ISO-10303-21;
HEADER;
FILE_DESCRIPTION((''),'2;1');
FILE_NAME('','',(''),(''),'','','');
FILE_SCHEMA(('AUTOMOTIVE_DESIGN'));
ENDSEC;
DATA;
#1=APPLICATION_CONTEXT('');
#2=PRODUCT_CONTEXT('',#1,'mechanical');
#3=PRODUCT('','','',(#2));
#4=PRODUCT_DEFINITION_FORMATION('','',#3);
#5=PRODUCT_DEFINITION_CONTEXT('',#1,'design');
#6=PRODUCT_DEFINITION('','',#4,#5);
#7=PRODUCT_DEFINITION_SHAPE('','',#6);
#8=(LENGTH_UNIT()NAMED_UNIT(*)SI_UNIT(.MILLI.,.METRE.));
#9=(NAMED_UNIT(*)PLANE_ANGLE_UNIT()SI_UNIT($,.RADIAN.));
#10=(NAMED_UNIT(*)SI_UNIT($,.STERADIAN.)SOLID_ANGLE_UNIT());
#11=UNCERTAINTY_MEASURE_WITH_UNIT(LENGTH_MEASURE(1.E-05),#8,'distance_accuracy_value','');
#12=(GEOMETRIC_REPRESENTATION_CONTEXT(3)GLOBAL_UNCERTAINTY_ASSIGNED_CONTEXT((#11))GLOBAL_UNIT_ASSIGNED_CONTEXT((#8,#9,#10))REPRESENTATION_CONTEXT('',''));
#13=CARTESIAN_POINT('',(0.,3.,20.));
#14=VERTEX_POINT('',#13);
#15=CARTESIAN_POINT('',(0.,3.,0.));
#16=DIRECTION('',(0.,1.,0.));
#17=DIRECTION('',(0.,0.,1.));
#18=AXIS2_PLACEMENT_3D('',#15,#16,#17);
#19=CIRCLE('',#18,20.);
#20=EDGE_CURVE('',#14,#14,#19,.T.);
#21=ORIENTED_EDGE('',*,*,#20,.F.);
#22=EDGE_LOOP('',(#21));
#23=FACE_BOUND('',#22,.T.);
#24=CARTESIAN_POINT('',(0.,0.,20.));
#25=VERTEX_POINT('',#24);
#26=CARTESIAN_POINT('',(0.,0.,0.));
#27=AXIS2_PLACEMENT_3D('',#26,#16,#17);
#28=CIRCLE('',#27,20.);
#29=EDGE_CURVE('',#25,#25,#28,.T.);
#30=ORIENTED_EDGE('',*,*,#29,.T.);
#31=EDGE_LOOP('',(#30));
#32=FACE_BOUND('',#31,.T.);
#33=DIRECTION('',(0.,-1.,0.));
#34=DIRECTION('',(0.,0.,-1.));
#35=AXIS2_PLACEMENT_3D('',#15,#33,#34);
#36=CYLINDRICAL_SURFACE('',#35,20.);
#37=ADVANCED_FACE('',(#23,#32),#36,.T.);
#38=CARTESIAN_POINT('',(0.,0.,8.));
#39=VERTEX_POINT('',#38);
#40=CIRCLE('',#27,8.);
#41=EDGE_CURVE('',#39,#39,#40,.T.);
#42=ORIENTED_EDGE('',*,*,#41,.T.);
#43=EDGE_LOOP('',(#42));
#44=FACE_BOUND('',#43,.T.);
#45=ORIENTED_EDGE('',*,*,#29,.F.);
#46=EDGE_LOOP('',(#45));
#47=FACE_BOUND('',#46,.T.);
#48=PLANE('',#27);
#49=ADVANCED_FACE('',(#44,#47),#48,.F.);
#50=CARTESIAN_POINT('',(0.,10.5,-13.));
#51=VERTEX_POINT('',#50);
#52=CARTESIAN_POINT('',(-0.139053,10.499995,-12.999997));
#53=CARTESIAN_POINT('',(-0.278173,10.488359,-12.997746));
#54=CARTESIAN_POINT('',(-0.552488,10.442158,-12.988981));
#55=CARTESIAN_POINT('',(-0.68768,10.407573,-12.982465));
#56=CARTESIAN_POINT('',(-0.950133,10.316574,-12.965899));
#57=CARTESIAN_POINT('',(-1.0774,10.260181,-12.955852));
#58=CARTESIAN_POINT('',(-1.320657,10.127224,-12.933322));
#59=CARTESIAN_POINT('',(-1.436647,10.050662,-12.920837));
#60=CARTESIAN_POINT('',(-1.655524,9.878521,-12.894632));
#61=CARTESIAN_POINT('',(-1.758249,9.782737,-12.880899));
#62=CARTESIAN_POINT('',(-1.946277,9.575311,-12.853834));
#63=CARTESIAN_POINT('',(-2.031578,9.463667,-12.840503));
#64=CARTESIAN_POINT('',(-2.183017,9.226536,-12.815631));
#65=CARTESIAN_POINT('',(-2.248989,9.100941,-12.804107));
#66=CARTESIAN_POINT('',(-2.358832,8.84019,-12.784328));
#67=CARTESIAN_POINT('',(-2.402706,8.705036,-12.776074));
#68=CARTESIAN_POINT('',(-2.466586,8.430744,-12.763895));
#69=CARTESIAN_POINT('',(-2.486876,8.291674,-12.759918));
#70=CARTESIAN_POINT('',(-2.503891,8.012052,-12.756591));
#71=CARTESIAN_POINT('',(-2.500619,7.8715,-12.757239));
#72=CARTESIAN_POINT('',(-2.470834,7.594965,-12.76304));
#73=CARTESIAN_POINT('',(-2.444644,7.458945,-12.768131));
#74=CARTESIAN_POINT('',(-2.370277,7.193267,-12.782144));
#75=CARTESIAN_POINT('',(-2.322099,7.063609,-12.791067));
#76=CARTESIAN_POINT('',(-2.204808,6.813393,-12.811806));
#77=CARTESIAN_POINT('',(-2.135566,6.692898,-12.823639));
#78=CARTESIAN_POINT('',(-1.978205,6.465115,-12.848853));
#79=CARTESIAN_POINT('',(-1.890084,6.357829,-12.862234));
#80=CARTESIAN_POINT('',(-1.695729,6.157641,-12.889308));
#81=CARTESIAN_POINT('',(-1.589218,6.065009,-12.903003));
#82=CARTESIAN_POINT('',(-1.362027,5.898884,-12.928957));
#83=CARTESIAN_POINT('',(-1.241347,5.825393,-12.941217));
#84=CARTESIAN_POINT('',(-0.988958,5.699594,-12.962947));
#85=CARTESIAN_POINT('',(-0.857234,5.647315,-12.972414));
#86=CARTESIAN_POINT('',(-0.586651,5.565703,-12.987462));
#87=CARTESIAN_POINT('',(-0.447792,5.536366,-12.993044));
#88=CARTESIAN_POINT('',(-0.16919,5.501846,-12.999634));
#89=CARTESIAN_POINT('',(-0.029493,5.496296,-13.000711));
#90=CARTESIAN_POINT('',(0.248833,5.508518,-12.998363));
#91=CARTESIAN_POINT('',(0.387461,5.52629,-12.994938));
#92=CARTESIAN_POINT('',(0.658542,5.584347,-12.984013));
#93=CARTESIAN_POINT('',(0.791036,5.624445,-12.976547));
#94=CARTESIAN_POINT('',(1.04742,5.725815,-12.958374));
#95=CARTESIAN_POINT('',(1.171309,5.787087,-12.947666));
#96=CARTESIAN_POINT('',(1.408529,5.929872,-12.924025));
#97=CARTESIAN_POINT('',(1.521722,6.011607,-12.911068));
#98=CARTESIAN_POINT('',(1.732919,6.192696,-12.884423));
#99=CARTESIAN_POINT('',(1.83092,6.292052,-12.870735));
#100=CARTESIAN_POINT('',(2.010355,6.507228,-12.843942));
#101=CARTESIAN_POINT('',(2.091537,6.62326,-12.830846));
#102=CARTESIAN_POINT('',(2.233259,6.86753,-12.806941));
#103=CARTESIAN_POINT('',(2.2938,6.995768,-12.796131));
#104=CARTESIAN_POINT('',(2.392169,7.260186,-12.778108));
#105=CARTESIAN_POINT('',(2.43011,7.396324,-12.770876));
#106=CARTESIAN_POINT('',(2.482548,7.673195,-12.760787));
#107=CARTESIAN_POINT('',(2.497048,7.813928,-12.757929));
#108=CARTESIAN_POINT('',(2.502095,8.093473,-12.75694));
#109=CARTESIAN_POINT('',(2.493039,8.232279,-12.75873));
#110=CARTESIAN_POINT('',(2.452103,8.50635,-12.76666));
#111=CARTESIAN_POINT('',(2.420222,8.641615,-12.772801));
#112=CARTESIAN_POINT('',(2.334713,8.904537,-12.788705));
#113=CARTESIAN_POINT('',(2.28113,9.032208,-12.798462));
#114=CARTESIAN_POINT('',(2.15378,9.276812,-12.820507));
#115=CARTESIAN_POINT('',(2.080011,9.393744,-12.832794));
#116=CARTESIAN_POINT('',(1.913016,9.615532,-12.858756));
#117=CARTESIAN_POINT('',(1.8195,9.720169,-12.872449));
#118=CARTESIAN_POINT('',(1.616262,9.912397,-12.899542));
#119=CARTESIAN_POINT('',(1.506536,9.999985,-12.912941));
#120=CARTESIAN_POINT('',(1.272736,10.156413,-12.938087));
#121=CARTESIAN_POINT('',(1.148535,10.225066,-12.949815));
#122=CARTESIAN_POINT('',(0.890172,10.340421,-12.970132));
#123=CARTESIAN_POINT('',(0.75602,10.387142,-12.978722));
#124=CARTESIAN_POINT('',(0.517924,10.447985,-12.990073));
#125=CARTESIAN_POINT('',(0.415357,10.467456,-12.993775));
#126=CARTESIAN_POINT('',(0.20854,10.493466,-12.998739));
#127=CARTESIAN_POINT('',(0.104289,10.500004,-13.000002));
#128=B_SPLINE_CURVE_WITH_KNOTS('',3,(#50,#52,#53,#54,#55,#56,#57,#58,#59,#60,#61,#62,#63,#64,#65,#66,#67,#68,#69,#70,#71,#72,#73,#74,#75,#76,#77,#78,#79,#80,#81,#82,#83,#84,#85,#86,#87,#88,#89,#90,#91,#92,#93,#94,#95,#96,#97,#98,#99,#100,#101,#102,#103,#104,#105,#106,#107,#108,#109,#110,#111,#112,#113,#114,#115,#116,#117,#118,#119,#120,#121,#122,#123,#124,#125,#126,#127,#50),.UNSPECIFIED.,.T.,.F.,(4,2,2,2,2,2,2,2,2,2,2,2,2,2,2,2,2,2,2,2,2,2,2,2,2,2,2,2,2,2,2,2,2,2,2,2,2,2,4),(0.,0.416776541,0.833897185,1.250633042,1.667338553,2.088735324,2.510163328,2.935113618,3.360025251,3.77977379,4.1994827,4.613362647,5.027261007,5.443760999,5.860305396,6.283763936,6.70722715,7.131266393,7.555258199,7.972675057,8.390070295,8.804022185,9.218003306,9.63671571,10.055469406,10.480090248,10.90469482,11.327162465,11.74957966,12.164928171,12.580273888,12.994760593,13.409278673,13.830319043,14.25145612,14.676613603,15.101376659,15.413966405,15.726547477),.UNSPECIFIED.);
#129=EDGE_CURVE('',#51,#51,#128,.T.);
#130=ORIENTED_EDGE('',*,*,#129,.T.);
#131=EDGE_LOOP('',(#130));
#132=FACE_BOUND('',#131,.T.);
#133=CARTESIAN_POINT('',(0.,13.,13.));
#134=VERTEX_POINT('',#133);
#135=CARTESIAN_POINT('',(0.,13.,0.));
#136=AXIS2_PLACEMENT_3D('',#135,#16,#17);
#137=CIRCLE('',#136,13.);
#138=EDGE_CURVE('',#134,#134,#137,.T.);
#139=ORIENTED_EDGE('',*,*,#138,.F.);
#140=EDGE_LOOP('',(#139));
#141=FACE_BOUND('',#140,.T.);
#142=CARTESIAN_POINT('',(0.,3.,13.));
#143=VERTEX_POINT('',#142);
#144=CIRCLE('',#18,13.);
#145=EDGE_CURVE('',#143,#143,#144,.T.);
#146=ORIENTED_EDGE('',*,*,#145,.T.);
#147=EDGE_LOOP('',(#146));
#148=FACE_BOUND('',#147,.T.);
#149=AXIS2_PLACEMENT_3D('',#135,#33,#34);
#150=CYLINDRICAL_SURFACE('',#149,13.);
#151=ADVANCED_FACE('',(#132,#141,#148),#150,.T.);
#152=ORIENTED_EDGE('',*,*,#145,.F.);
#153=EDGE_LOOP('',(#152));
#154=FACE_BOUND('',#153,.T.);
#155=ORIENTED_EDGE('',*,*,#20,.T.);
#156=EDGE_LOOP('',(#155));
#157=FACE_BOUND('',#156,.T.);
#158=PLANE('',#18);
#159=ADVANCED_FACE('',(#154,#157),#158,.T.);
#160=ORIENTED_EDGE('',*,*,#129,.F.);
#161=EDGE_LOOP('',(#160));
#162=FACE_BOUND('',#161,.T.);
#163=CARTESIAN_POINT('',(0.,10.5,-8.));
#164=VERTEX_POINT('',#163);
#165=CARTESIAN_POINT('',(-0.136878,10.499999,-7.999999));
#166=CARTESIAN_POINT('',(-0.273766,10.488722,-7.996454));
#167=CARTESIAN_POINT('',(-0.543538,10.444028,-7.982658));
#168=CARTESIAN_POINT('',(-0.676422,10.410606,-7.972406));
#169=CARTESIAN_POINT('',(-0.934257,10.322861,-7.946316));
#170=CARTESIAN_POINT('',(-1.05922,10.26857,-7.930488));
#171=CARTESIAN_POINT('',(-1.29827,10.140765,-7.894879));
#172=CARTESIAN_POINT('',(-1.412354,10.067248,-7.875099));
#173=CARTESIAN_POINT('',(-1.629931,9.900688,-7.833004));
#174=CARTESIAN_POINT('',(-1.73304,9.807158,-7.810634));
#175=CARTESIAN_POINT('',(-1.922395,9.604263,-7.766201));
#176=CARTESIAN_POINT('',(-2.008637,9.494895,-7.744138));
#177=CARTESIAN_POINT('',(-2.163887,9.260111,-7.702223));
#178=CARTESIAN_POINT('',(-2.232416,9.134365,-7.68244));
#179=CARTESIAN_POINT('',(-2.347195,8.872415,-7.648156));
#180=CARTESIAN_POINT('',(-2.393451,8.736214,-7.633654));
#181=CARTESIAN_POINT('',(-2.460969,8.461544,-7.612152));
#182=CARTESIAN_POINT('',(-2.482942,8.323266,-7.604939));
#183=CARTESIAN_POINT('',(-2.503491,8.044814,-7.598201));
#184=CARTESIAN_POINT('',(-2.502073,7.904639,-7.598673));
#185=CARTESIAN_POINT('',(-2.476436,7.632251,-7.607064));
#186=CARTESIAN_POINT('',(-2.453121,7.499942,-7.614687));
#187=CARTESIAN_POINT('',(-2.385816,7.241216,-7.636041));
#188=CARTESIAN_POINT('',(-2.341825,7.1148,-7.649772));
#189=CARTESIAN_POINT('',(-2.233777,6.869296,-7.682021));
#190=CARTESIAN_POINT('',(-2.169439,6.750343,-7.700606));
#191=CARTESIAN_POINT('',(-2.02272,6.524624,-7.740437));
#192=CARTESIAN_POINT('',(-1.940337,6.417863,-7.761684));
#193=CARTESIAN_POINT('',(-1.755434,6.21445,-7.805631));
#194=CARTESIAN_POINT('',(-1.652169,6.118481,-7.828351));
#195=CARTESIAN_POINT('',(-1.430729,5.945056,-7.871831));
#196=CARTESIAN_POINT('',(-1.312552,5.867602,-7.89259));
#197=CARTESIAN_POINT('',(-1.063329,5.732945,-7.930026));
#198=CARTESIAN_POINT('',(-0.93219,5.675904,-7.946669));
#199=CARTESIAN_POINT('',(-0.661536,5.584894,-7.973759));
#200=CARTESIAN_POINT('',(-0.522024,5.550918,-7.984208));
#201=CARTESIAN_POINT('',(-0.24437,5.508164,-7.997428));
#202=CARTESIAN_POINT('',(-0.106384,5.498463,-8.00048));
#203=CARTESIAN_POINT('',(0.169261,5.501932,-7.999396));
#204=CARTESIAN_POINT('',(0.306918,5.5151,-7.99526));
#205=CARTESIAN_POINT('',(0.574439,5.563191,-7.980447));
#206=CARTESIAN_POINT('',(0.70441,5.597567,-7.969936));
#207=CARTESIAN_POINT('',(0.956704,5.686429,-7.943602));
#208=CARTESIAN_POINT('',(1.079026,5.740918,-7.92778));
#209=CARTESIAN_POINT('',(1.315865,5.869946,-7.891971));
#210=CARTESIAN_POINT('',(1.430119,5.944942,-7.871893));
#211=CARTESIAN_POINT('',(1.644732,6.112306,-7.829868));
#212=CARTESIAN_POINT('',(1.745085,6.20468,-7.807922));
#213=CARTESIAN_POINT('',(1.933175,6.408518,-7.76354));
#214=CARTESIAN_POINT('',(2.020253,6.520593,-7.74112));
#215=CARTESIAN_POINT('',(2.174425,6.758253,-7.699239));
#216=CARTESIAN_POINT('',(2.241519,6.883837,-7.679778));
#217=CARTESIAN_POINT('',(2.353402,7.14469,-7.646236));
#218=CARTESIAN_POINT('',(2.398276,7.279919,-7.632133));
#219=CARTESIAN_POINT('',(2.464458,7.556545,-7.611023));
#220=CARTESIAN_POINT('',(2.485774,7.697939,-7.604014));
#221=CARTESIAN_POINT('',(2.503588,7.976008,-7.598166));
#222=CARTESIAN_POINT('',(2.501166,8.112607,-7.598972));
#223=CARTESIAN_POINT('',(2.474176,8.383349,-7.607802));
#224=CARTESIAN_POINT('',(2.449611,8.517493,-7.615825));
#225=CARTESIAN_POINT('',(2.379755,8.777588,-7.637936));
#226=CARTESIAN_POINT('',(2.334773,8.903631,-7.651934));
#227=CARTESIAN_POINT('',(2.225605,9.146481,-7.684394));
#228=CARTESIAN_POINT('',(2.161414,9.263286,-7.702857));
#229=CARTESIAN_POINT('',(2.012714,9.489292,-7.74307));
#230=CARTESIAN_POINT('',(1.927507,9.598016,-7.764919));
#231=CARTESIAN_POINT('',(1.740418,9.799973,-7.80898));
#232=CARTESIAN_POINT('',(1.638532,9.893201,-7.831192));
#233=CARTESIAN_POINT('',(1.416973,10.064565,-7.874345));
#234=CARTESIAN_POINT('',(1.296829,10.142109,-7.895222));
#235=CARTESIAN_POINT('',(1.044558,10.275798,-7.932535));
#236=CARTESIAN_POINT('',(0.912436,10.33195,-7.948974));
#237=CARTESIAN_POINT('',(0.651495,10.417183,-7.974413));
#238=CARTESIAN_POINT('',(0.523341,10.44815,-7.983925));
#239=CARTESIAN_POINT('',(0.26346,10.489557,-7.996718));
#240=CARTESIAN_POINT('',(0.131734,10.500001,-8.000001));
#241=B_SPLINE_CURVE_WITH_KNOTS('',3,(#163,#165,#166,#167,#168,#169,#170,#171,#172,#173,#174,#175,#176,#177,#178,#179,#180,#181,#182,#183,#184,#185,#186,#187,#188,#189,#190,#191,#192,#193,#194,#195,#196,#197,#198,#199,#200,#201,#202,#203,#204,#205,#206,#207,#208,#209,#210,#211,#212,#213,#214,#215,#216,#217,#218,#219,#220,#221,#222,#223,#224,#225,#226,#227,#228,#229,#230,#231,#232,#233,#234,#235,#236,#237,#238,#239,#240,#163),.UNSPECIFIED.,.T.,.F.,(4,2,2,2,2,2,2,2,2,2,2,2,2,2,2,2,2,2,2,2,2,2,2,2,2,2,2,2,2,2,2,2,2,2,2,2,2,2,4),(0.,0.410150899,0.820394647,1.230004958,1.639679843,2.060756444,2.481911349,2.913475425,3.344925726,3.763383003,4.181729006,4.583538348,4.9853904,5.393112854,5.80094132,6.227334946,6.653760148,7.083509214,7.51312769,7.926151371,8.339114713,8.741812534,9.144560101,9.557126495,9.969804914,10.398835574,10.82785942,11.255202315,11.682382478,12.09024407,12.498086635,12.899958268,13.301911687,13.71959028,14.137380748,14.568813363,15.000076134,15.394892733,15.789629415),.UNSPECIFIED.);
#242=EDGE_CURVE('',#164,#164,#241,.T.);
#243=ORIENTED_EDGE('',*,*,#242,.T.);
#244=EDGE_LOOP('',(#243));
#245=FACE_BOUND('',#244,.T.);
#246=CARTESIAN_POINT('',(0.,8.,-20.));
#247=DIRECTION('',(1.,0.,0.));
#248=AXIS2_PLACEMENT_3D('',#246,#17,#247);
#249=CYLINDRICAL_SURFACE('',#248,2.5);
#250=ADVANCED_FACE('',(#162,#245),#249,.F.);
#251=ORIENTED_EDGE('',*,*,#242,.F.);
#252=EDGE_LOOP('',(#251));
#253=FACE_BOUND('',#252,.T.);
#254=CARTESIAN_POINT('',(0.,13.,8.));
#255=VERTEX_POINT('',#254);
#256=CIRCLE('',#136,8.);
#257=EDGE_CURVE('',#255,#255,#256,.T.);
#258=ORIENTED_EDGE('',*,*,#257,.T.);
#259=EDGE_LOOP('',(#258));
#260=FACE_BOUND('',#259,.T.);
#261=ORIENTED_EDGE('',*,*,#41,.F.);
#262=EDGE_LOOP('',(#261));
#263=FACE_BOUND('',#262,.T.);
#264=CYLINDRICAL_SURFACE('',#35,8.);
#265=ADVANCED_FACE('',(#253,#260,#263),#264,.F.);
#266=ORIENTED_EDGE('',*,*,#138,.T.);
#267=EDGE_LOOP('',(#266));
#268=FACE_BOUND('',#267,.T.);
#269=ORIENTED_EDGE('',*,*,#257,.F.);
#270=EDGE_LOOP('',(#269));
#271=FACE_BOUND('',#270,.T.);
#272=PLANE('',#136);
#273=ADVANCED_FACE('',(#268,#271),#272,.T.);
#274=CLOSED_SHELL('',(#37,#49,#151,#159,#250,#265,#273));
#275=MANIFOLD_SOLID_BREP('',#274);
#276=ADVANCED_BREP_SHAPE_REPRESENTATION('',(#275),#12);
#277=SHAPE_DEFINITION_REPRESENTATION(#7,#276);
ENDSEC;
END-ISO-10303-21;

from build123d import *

# Parameters (mm, degrees)
SKETCH1_R           = 20
SKETCH1_R_2         = 8
BOSS_EXTRUDE1_DEPTH = 3
SKETCH2_R           = 13
SKETCH2_R_2         = 8
BOSS_EXTRUDE2_DEPTH = 10
SKETCH3_R           = 2.5
CUT_EXTRUDE1_DEPTH  = 32.128764833


with BuildPart() as part:
    # Sketch1 → Boss-Extrude1 (new body)
    with BuildSketch(Plane(origin=(0, 0, 0), x_dir=(1, 0, 0), z_dir=(0, 1, 0))):
        with Locations(Location((0, 0, 0), (0, 0, 270))):
            Circle(SKETCH1_R)
        with Locations(Location((0, 0, 0), (0, 0, 270))):
            Circle(SKETCH1_R_2, mode=Mode.SUBTRACT)
    extrude(amount=BOSS_EXTRUDE1_DEPTH)

    # Sketch2 → Boss-Extrude2 (add)
    with BuildSketch(Plane(origin=(0, 3, 0), x_dir=(1, 0, 0), z_dir=(0, 1, 0))):
        with Locations(Location((0, 0, 0), (0, 0, 270))):
            Circle(SKETCH2_R)
        with Locations(Location((0, 0, 0), (0, 0, 270))):
            Circle(SKETCH2_R_2, mode=Mode.SUBTRACT)
    extrude(amount=BOSS_EXTRUDE2_DEPTH)

    # Sketch3 → Cut-Extrude1 (cut, through all)
    with BuildSketch(Plane.XY):
        with Locations(Location((0, 8, 0), (0, 0, 90))):
            Circle(SKETCH3_R)
    extrude(amount=-CUT_EXTRUDE1_DEPTH, mode=Mode.SUBTRACT)


solid = part.part
